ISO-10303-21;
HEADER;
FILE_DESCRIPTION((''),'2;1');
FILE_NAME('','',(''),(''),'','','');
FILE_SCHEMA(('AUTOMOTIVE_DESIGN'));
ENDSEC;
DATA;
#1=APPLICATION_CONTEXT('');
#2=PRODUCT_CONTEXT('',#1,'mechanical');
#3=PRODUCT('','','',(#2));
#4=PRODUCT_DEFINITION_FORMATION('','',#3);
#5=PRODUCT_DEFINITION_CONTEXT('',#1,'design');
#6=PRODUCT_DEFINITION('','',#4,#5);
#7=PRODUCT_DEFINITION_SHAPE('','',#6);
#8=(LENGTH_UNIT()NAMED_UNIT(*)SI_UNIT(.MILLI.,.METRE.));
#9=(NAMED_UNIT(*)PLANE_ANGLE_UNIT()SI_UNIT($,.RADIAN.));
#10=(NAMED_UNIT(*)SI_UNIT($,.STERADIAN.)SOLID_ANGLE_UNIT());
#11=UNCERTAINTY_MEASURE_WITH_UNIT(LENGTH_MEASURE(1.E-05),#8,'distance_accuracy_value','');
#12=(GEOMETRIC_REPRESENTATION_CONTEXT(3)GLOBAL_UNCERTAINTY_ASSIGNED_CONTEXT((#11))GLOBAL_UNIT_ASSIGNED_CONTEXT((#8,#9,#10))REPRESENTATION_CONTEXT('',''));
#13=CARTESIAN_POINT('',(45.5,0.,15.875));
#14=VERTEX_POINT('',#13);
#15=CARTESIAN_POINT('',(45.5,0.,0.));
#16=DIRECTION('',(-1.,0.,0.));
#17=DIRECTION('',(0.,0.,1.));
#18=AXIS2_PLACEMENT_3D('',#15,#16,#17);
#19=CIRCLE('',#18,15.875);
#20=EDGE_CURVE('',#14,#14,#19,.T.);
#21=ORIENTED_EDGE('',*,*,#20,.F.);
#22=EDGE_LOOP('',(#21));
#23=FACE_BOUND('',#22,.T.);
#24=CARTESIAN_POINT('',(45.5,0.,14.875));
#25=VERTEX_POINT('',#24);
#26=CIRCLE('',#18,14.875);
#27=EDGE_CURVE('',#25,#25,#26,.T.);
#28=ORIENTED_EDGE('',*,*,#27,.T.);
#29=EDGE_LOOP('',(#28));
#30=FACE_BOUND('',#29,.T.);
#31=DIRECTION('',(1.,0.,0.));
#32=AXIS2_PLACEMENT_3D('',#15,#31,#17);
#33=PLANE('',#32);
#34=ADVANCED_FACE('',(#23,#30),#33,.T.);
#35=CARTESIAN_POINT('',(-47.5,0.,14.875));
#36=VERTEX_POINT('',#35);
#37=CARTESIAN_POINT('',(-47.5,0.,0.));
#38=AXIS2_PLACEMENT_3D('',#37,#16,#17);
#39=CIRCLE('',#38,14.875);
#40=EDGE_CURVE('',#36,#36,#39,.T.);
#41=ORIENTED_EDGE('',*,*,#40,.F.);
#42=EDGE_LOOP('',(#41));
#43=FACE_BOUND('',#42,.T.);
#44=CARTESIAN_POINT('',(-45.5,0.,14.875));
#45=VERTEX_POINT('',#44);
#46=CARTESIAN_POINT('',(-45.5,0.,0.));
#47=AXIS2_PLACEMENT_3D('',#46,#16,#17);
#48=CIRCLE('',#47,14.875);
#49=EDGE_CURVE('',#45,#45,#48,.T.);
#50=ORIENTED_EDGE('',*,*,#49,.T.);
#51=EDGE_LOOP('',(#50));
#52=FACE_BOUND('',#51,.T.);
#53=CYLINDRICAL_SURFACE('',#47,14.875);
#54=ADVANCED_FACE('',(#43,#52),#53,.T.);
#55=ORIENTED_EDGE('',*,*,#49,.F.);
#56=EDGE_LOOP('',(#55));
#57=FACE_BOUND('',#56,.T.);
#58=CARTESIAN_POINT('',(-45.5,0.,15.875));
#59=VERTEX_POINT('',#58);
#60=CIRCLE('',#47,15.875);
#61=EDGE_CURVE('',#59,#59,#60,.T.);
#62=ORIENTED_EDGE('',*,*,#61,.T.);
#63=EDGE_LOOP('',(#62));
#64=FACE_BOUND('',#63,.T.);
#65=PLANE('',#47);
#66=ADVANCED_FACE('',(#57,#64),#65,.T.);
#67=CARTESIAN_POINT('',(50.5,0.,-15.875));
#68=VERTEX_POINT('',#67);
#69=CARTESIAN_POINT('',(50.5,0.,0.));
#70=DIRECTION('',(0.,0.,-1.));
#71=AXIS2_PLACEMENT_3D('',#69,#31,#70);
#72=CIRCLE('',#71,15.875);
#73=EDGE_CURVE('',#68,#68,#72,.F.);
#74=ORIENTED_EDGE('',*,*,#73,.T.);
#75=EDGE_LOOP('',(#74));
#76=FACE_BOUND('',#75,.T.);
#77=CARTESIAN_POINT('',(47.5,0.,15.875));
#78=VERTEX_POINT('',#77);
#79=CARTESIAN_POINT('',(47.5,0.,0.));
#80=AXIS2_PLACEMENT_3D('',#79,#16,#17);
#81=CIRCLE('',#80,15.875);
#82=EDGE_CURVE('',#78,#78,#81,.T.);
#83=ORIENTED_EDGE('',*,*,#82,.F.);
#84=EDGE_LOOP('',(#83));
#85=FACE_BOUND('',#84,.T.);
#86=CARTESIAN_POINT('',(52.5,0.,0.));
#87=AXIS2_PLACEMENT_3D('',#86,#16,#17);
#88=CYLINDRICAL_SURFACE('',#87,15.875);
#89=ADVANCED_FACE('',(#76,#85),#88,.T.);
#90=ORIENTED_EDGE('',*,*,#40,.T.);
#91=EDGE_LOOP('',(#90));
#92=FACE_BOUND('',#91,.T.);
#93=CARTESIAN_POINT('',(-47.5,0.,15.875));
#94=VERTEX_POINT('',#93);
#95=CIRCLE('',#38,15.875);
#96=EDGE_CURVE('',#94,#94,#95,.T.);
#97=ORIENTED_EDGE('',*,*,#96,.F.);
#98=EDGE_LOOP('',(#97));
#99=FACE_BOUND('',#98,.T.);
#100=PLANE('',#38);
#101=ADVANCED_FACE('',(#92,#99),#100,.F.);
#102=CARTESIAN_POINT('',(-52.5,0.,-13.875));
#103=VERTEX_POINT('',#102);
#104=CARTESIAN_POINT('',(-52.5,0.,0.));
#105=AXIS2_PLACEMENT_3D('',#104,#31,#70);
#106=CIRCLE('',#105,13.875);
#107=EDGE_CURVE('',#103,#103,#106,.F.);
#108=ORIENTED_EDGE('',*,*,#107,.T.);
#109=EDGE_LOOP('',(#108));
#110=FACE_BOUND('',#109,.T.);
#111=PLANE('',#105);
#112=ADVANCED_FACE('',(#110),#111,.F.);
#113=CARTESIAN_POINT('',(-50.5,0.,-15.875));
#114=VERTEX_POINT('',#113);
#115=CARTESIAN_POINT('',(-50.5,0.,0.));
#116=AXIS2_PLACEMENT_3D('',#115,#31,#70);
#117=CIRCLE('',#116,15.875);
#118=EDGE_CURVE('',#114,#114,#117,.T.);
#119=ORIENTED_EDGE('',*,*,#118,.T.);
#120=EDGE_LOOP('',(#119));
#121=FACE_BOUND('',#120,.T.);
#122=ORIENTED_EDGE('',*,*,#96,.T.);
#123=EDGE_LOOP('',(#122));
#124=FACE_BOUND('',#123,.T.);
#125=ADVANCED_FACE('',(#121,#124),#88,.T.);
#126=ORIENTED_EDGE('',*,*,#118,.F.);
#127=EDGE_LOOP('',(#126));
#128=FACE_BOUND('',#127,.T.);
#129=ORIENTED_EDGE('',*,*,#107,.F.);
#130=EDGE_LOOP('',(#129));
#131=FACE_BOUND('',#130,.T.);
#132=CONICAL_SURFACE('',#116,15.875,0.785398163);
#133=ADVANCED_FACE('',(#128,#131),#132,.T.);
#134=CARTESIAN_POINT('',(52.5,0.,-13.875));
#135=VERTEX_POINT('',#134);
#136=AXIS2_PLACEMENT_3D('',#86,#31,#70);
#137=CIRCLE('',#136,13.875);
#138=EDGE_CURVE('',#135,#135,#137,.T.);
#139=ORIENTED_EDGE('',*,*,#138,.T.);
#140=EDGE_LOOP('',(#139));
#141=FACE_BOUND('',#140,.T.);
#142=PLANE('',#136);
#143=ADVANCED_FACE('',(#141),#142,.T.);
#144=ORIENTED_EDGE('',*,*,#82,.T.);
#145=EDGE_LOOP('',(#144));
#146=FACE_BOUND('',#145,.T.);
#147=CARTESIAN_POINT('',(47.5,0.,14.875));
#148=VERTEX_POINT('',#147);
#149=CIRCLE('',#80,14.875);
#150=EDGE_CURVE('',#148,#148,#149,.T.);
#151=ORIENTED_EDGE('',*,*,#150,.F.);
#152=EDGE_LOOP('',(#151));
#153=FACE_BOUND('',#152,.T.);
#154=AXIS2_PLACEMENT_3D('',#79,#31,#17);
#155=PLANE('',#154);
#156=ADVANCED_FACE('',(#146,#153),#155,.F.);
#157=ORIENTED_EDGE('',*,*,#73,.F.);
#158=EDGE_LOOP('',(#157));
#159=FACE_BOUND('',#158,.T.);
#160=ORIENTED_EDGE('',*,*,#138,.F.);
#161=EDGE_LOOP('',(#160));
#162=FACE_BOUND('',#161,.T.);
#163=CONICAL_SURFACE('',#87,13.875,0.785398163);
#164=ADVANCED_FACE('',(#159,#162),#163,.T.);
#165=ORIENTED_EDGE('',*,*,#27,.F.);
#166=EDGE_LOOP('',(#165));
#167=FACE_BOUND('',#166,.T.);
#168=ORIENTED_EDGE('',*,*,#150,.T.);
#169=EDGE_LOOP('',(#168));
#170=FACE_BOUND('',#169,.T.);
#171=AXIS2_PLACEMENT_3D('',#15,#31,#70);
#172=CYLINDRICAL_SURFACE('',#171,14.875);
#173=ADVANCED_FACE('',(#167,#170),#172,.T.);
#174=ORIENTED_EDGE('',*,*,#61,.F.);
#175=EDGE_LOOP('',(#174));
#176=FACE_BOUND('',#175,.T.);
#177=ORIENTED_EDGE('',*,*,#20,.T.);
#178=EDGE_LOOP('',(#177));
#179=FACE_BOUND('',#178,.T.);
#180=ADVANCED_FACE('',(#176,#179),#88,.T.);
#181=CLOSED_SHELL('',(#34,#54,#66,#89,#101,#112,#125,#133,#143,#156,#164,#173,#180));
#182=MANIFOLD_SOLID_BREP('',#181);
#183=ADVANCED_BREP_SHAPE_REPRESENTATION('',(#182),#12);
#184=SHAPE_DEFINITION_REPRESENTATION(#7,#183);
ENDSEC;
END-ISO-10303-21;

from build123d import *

# Parameters (mm, degrees)
SKETCH1_R           = 15.875
BOSS_EXTRUDE1_DEPTH = 52.5
CHAMFER1_SIZE       = 2
SKETCH2_R           = 15.875
SKETCH2_R_2         = 14.875
CUT_EXTRUDE1_DEPTH  = 2


with BuildPart() as part:
    # Sketch1 → Boss-Extrude1 (new body, symmetric)
    with BuildSketch(Plane(origin=(0, 0, 0), x_dir=(0, 0, -1), z_dir=(1, 0, 0))):
        Circle(SKETCH1_R)
    extrude(amount=BOSS_EXTRUDE1_DEPTH, both=True)

    # Chamfer1
    chamfer1_edges = [part.edges().sort_by_distance(p)[0] for p in [
        (-52.5, 0, 15.875),
        (52.5, 0, 15.875),
    ]]
    chamfer(chamfer1_edges, length=CHAMFER1_SIZE)

    # Sketch2 → Cut-Extrude1 (cut)
    with BuildSketch(Plane.ZY.offset(47.5)):
        Circle(SKETCH2_R)
        Circle(SKETCH2_R_2, mode=Mode.SUBTRACT)
    cut_extrude1 = extrude(amount=-CUT_EXTRUDE1_DEPTH, mode=Mode.SUBTRACT)

    # Mirror1: Cut-Extrude1 across plane
    add(cut_extrude1.mirror(Plane(origin=(0, 0, 0), x_dir=(0, 0, 1), z_dir=(1, 0, 0))), mode=Mode.SUBTRACT)


solid = part.part
